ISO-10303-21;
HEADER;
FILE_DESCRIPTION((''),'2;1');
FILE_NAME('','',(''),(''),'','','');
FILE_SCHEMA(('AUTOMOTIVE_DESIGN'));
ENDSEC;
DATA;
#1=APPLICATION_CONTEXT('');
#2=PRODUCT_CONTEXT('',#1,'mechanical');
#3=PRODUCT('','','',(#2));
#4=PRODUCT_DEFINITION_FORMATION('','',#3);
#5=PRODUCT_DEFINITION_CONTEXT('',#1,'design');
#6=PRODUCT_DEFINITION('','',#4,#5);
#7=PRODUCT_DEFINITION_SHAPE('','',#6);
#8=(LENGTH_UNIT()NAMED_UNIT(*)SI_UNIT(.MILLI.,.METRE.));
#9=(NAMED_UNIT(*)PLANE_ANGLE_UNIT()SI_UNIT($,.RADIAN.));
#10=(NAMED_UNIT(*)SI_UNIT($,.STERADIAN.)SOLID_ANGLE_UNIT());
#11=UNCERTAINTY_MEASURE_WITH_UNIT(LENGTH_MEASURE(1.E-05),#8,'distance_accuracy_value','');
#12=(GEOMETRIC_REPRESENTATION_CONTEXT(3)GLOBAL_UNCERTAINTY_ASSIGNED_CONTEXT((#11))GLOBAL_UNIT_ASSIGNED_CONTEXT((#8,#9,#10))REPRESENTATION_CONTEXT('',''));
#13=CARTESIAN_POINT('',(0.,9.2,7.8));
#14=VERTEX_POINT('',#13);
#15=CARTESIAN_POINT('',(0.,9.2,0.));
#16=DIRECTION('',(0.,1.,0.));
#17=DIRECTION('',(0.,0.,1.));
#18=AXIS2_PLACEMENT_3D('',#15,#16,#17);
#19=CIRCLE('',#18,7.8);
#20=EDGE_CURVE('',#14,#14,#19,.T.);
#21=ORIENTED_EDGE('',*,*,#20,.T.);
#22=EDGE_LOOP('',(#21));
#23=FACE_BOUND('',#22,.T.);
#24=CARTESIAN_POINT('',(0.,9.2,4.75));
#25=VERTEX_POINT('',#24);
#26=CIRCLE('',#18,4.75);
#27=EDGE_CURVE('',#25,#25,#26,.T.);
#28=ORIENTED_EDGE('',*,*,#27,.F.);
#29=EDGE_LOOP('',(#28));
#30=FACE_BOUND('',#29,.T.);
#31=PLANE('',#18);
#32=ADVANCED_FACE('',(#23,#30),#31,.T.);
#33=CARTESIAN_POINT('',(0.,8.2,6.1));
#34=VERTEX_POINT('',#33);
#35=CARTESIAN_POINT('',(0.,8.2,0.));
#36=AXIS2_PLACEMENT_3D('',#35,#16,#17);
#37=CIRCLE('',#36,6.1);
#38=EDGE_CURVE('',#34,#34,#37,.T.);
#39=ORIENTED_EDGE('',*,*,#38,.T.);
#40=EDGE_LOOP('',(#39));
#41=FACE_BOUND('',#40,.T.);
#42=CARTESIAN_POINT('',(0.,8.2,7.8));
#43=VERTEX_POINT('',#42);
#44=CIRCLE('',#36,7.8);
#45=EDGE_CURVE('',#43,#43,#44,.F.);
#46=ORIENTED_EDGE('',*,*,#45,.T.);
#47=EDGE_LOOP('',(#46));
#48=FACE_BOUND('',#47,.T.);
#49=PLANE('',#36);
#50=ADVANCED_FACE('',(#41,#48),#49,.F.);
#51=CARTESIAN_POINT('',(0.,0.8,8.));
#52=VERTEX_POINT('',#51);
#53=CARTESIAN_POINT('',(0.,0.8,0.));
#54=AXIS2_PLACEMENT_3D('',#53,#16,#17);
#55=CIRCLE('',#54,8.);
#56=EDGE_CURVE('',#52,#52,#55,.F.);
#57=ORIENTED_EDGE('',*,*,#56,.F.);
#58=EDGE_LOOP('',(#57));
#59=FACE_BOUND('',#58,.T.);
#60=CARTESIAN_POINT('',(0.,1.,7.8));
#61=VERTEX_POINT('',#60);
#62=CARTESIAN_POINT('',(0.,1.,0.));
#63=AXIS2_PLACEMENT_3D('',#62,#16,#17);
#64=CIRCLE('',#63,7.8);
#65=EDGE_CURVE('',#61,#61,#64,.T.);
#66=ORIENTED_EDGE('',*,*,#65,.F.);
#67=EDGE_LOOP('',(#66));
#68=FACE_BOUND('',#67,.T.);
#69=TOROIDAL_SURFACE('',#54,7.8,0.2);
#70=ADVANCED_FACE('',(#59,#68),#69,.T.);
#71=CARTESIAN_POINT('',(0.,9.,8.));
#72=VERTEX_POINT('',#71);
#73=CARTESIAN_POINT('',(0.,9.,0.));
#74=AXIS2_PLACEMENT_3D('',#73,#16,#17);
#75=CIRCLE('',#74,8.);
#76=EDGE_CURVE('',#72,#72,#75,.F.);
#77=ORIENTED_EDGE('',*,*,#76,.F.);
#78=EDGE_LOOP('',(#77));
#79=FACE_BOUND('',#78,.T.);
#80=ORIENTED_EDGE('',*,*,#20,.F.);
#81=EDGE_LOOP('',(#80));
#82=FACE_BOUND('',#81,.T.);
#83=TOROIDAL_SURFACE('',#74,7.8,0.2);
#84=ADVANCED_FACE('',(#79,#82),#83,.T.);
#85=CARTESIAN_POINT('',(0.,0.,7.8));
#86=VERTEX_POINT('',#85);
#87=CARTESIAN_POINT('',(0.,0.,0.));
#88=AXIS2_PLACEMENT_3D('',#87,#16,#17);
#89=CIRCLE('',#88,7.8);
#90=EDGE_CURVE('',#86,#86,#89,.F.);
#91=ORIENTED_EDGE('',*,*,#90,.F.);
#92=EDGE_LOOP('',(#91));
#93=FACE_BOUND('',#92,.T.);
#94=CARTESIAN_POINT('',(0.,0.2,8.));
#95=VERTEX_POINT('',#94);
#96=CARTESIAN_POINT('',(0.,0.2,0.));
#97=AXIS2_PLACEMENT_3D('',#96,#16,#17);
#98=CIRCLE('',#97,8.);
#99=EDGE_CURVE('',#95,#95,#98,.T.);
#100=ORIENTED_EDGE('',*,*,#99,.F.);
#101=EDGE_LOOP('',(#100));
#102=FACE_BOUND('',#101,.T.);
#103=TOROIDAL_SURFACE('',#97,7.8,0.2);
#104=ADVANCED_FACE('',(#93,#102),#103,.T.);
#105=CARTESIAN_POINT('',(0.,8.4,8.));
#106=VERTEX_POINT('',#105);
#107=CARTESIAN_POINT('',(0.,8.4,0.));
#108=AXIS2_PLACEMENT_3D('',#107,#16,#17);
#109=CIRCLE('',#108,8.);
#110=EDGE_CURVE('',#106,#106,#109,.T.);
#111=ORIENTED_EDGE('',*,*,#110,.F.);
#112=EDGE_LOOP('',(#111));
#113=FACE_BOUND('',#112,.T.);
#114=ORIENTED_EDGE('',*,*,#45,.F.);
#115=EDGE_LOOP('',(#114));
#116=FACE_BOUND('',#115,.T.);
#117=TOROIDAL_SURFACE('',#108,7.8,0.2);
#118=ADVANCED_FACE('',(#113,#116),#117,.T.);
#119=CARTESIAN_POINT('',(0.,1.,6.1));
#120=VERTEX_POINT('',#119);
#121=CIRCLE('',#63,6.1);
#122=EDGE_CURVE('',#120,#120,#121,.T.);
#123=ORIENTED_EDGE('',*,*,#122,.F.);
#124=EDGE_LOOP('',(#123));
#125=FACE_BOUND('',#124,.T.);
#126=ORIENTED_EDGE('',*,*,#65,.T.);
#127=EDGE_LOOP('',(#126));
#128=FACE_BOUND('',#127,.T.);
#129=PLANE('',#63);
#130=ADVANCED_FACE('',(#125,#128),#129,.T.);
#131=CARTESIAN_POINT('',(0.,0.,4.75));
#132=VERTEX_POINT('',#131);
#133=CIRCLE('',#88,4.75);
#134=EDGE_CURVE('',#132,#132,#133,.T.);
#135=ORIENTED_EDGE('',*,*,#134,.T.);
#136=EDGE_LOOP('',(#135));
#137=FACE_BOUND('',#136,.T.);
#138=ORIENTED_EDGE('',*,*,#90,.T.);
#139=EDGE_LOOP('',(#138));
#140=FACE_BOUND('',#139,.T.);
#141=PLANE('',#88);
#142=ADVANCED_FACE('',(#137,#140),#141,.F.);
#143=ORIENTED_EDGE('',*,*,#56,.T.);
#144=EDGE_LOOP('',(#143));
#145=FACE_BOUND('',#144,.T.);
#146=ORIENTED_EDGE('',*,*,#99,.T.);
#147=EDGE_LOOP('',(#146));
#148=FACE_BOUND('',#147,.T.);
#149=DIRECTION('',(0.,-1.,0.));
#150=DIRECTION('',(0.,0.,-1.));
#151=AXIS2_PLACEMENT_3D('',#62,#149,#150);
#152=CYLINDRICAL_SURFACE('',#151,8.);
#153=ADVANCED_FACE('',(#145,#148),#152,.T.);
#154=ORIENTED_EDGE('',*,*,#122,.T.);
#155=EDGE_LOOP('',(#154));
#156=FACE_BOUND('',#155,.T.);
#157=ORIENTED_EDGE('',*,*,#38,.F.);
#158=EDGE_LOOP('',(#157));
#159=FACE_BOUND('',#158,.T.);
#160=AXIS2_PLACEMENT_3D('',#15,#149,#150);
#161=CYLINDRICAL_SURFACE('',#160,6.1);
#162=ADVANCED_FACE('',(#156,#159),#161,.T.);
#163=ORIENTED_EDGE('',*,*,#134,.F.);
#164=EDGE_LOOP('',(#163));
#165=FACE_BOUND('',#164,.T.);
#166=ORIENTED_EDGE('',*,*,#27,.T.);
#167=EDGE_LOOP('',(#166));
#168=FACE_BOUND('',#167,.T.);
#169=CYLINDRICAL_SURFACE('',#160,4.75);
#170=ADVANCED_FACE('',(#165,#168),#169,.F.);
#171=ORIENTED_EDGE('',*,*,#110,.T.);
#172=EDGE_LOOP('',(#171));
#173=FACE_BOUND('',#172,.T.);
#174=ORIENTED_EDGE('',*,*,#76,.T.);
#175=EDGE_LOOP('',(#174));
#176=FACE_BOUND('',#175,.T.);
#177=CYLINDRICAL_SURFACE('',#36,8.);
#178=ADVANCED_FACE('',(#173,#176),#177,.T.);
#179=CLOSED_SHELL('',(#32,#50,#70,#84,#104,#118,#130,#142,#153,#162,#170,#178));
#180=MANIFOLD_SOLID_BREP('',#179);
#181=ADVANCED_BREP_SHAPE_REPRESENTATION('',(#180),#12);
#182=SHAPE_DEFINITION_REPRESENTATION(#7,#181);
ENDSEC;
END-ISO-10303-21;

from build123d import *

# Parameters (mm, degrees)
ESBO_O4_R                = 6.1
ESBO_O4_R_2              = 4.75
RESSALTO_EXTRUS_O3_DEPTH = 9.2
ESBO_O4_3_R              = 8
ESBO_O4_3_R_2            = 6.1
RESSALTO_EXTRUS_O4_DEPTH = 1
RESSALTO_EXTRUS_O6_START = -1
ESBO_O5_R                = 8
ESBO_O5_R_2              = 4.75
RESSALTO_EXTRUS_O6_DEPTH = 1
FILETE5_R                = 0.2
FILETE6_R                = 0.2


with BuildPart() as part:
    # Esboço4 → Ressalto-extrusão3 (new body)
    with BuildSketch(Plane(origin=(0, 0, 0), x_dir=(1, 0, 0), z_dir=(0, 1, 0))):
        Circle(ESBO_O4_R)
        Circle(ESBO_O4_R_2, mode=Mode.SUBTRACT)
    extrude(amount=RESSALTO_EXTRUS_O3_DEPTH)

    # Esboço4<3> → Ressalto-extrusão4 (add)
    with BuildSketch(Plane(origin=(0, 0, 0), x_dir=(1, 0, 0), z_dir=(0, 1, 0))):
        Circle(ESBO_O4_3_R)
        Circle(ESBO_O4_3_R_2, mode=Mode.SUBTRACT)
    extrude(amount=RESSALTO_EXTRUS_O4_DEPTH)

    # Esboço5 → Ressalto-extrusão6 (add)
    with BuildSketch(Plane(origin=(0, 9.2, 0), x_dir=(1, 0, 0), z_dir=(0, 1, 0)).offset(RESSALTO_EXTRUS_O6_START)):
        Circle(ESBO_O5_R)
        Circle(ESBO_O5_R_2, mode=Mode.SUBTRACT)
    extrude(amount=RESSALTO_EXTRUS_O6_DEPTH)

    # Filete5
    filete5_edges = [part.edges().sort_by_distance(p)[0] for p in [
        (-8, 9.2, 0),
        (-8, 8.2, 0),
    ]]
    fillet(filete5_edges, radius=FILETE5_R)

    # Filete6
    filete6_edges = [part.edges().sort_by_distance(p)[0] for p in [
        (-8, 0, 0),
        (-8, 1, 0),
    ]]
    fillet(filete6_edges, radius=FILETE6_R)


solid = part.part
